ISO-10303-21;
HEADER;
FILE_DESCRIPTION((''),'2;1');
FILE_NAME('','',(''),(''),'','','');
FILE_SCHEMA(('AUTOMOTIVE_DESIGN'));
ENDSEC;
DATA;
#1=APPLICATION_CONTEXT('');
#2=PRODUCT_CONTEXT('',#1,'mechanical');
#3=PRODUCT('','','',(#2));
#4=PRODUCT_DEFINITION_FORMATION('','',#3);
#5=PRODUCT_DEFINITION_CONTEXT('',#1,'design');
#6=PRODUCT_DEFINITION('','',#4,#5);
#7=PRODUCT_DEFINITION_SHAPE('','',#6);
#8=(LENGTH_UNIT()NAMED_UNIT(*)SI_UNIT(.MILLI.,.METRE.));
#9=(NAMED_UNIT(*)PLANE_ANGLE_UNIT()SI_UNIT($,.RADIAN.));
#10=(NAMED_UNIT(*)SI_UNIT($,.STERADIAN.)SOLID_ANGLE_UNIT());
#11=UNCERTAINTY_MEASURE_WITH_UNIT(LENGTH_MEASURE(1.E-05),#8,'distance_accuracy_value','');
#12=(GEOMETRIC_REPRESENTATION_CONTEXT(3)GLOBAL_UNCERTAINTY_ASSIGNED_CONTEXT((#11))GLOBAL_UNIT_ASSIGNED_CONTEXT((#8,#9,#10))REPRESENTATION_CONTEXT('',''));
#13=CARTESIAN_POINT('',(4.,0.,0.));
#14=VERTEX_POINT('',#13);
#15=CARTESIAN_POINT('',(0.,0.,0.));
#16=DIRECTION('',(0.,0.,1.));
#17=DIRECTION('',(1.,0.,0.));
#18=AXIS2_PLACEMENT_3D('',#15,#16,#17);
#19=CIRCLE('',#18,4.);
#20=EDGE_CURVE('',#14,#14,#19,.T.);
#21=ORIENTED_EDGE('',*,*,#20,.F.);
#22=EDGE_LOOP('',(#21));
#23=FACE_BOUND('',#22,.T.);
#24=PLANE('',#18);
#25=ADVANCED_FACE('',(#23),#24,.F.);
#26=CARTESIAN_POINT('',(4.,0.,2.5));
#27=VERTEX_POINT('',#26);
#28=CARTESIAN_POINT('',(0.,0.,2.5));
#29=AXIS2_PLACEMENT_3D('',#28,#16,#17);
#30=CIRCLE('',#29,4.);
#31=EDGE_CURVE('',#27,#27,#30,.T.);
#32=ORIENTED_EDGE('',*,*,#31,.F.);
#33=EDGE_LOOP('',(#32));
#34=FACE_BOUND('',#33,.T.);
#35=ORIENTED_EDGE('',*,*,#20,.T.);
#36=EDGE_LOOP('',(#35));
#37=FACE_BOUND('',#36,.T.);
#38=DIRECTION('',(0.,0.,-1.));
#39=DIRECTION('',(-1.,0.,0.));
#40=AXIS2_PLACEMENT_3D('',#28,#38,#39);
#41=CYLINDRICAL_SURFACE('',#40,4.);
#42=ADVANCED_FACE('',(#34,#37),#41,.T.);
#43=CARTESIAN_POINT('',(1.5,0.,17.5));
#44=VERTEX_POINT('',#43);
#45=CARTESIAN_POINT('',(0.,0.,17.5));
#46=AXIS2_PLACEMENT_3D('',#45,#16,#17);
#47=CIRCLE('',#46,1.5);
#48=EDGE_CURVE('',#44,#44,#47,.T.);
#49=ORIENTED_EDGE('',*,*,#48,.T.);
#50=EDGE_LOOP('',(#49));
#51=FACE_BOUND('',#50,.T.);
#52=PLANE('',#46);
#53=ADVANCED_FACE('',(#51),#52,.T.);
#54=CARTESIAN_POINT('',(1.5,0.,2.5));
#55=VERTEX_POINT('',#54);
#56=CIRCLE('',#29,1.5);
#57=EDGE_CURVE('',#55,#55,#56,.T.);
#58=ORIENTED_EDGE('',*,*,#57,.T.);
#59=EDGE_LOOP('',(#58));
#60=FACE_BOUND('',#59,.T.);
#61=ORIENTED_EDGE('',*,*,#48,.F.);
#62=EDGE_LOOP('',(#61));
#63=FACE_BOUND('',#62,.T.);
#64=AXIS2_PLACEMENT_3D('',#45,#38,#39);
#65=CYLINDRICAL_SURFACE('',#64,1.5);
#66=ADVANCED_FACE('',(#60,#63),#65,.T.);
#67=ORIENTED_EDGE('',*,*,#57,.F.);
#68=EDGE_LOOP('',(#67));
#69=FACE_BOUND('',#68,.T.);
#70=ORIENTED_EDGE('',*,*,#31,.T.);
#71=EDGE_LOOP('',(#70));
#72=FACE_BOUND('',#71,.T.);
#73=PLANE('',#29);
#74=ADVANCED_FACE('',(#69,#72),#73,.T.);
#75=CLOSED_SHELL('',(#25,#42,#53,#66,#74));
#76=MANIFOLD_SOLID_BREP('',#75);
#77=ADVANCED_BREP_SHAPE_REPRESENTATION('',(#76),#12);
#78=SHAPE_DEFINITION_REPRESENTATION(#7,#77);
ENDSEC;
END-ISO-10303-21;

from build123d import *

# Parameters (mm, degrees)
SKETCH1_R           = 4
BOSS_EXTRUDE1_DEPTH = 2.5
SKETCH2_R           = 1.5
BOSS_EXTRUDE2_DEPTH = 15


with BuildPart() as part:
    # Sketch1 → Boss-Extrude1 (new body)
    with BuildSketch(Plane.XY):
        Circle(SKETCH1_R)
    extrude(amount=BOSS_EXTRUDE1_DEPTH)

    # Sketch2 → Boss-Extrude2 (add)
    with BuildSketch(Plane.XY.offset(2.5)):
        Circle(SKETCH2_R)
    extrude(amount=BOSS_EXTRUDE2_DEPTH)


solid = part.part
